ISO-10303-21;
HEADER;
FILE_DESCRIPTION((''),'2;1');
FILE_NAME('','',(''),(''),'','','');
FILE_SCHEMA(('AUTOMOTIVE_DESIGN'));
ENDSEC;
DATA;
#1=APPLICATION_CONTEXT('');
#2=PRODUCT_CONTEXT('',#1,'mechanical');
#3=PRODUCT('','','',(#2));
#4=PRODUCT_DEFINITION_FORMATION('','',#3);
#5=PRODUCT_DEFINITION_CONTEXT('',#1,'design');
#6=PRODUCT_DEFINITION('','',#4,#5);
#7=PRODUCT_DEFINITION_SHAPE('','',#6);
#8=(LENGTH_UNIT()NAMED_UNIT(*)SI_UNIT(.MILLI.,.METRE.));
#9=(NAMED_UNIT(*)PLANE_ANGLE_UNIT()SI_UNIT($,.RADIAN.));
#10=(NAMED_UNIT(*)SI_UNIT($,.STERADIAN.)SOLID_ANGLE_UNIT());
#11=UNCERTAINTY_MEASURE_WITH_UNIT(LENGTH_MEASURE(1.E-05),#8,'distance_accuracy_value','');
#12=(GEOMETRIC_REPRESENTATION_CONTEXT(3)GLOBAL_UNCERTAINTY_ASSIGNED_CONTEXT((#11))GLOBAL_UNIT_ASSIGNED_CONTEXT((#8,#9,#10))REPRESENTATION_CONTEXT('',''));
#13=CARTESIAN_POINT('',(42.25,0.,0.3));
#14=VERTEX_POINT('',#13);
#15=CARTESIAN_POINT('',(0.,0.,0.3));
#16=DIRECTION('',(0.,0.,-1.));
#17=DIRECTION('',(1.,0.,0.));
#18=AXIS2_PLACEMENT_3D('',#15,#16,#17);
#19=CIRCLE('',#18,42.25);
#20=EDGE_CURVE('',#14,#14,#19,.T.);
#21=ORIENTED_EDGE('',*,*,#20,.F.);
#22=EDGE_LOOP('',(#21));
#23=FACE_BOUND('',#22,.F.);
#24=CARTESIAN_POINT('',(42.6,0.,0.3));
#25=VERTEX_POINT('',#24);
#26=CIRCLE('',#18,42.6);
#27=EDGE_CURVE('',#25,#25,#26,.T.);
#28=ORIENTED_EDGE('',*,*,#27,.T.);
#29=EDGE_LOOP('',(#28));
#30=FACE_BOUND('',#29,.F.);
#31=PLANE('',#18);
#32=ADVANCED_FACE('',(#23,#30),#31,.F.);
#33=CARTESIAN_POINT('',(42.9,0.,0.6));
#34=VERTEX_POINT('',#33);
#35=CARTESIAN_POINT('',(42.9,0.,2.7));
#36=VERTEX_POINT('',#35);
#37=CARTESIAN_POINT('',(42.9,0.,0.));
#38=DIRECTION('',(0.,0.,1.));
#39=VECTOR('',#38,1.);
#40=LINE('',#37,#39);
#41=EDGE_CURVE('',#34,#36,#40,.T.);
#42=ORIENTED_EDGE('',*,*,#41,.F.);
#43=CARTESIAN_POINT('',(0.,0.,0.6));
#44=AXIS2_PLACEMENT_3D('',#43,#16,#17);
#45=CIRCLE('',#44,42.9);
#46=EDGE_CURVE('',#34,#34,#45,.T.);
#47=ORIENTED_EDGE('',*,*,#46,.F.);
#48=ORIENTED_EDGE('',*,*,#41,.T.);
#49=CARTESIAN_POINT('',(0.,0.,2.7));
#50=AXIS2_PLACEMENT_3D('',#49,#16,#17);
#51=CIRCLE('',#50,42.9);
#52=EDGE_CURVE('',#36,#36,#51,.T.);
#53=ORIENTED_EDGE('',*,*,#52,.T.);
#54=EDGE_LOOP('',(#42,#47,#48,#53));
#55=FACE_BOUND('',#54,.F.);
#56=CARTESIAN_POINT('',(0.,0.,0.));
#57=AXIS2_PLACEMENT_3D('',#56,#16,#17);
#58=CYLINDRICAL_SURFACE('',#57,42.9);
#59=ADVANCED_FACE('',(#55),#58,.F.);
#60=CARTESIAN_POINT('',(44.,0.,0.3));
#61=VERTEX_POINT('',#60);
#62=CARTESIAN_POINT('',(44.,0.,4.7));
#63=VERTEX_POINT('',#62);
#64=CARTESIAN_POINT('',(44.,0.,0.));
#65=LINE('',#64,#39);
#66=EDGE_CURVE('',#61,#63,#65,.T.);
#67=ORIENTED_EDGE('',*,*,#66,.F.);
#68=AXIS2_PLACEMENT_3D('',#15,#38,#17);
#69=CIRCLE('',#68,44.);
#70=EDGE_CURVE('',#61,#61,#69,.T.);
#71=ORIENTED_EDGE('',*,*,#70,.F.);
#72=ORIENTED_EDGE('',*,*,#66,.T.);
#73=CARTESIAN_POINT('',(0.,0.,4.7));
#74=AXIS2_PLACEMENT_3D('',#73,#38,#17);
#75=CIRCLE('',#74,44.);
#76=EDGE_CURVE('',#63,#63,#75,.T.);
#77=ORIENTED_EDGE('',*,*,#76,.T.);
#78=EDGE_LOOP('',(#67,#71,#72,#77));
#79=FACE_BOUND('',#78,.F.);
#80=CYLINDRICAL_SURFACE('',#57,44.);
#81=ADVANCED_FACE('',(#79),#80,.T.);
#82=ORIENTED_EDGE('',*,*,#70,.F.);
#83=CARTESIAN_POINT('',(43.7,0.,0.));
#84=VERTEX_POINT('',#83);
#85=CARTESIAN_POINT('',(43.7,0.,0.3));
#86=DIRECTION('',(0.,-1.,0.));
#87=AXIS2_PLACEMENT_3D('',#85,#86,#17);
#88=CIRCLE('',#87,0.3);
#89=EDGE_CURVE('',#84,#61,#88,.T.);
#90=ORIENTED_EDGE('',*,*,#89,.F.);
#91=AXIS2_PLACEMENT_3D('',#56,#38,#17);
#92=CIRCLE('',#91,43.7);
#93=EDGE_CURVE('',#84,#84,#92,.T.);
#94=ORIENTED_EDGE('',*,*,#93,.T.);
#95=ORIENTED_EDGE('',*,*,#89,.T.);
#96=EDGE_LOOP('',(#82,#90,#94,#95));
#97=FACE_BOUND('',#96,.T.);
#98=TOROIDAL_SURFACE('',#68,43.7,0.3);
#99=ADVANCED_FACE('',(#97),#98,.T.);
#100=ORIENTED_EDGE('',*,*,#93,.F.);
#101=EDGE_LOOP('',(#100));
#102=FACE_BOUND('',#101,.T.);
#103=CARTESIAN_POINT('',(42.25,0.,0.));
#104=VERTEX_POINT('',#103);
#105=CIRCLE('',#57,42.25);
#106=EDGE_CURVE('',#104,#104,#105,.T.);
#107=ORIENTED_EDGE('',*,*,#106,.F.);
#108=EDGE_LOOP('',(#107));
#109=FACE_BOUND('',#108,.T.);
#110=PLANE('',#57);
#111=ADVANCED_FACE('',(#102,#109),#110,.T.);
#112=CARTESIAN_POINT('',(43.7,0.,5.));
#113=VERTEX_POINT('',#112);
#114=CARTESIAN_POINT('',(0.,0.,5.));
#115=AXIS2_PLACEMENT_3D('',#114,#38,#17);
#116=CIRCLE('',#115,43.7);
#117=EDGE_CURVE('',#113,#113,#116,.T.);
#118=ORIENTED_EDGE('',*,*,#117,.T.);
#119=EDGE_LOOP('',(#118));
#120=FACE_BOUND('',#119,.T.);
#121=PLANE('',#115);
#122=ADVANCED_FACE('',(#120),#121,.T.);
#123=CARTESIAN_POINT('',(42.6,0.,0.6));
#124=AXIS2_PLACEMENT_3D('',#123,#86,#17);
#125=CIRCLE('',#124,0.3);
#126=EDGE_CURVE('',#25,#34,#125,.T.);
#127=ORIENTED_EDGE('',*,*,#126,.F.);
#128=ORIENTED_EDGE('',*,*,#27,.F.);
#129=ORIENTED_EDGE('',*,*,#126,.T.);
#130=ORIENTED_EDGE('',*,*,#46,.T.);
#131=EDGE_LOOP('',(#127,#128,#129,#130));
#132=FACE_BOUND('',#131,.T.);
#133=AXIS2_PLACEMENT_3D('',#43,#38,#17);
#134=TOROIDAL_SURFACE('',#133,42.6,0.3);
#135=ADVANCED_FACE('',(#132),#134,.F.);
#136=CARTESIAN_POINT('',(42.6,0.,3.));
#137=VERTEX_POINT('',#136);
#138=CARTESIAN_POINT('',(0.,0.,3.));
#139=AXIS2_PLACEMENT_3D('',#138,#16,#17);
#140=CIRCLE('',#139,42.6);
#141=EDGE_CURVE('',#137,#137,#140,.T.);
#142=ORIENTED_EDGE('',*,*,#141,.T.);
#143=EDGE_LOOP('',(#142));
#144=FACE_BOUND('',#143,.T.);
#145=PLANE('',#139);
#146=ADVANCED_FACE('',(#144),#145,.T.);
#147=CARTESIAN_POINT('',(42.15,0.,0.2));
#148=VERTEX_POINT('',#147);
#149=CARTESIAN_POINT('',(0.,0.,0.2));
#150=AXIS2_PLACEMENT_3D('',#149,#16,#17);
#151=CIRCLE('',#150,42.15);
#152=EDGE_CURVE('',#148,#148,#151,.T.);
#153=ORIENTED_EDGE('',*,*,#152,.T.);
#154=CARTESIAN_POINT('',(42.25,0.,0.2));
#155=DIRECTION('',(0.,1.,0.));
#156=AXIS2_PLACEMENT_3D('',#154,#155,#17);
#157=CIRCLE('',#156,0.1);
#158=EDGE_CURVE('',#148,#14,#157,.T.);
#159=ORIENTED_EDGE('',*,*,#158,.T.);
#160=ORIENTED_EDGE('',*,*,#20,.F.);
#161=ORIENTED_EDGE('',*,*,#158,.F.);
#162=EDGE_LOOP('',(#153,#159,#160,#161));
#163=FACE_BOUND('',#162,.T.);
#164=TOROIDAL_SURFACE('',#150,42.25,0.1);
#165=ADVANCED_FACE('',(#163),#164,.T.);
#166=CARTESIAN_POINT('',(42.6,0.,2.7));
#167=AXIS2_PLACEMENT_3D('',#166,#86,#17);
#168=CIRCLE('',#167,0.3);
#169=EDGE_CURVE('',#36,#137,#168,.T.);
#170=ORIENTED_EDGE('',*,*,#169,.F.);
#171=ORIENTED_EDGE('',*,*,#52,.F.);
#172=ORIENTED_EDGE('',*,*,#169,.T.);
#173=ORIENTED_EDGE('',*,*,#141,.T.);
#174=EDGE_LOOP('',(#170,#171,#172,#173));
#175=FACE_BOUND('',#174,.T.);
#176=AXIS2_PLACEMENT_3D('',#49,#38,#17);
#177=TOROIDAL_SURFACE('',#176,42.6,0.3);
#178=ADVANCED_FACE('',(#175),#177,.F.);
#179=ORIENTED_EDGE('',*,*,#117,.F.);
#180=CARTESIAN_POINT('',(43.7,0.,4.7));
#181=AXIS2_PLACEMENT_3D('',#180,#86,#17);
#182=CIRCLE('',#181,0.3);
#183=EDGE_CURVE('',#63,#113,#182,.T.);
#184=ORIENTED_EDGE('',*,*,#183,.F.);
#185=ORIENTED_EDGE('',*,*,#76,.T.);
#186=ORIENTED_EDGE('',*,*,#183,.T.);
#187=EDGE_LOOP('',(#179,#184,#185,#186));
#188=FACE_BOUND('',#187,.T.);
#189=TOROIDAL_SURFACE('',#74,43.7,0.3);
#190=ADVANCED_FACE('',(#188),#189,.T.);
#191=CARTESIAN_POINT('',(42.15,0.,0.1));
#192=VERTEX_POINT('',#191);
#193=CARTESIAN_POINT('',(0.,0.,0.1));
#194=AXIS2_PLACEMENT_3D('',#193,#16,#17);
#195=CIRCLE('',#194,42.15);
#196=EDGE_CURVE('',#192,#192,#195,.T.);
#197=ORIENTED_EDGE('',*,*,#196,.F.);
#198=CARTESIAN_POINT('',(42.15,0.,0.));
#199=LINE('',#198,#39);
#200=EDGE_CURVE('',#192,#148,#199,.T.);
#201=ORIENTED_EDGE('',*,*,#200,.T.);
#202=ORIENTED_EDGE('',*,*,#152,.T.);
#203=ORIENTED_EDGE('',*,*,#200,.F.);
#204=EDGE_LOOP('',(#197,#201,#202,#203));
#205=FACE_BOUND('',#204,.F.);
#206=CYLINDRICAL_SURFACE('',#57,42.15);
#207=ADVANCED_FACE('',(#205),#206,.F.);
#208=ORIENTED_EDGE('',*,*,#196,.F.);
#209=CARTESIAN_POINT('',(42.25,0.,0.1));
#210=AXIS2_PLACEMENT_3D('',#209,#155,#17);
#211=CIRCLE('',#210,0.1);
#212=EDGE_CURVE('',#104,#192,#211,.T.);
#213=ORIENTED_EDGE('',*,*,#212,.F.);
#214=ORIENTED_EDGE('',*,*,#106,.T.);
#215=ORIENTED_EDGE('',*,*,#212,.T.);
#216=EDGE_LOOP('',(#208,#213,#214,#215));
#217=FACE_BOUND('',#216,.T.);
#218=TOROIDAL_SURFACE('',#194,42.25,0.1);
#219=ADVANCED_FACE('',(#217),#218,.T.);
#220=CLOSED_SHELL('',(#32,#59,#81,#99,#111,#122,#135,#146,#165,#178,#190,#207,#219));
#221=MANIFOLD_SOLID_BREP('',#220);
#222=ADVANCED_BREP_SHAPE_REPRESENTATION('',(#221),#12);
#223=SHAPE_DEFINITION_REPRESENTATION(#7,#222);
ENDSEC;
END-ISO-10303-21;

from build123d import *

# Parameters (mm, degrees)
F0_R     = 44
F0_R_2   = 42.9
F0_R_3   = 42.25
F1_DEPTH = 5
F2_R     = 42.9
F3_DEPTH = 3
F4_R     = 42.9
F4_R_2   = 42.15
F5_DEPTH = 0.3
F6_R     = 0.3
F7_R     = 0.1


with BuildPart() as f1:
    # F0 (on Top) → F1 (new body)
    with BuildSketch(Plane.XY):
        Circle(F0_R)
        Circle(F0_R_2, mode=Mode.SUBTRACT)
        Circle(F0_R_2)
        Circle(F0_R_3, mode=Mode.SUBTRACT)
        Circle(F0_R_3)
    extrude(amount=F1_DEPTH)

    # F2 (on face) → F3 (cut)
    with BuildSketch(Plane(origin=(0, 0, 0), x_dir=(1, 0, 0), z_dir=(0, 0, -1))):
        Circle(F2_R)
    extrude(amount=-F3_DEPTH, mode=Mode.SUBTRACT)

    # F4 (on face) → F5 (join)
    with BuildSketch(Plane(origin=(0, 0, 0), x_dir=(1, 0, 0), z_dir=(0, 0, -1))):
        Circle(F4_R)
        Circle(F4_R_2, mode=Mode.SUBTRACT)
    extrude(amount=-F5_DEPTH)

    # F6
    f6_edges = [f1.edges().sort_by_distance(p)[0] for p in [
        (-42.9, 0, 0.3),
        (42.9, 0, 1.65),
        (-42.9, 0, 3),
        (44, 0, 2.5),
        (-44, 0, 0),
        (-44, 0, 5),
    ]]
    fillet(f6_edges, radius=F6_R)

    # F7
    f7_edges = [f1.edges().sort_by_distance(p)[0] for p in [
        (42.15, 0, 0.15),
        (-42.15, 0, 0),
        (-42.15, 0, 0.3),
    ]]
    fillet(f7_edges, radius=F7_R)


solid = f1.part
